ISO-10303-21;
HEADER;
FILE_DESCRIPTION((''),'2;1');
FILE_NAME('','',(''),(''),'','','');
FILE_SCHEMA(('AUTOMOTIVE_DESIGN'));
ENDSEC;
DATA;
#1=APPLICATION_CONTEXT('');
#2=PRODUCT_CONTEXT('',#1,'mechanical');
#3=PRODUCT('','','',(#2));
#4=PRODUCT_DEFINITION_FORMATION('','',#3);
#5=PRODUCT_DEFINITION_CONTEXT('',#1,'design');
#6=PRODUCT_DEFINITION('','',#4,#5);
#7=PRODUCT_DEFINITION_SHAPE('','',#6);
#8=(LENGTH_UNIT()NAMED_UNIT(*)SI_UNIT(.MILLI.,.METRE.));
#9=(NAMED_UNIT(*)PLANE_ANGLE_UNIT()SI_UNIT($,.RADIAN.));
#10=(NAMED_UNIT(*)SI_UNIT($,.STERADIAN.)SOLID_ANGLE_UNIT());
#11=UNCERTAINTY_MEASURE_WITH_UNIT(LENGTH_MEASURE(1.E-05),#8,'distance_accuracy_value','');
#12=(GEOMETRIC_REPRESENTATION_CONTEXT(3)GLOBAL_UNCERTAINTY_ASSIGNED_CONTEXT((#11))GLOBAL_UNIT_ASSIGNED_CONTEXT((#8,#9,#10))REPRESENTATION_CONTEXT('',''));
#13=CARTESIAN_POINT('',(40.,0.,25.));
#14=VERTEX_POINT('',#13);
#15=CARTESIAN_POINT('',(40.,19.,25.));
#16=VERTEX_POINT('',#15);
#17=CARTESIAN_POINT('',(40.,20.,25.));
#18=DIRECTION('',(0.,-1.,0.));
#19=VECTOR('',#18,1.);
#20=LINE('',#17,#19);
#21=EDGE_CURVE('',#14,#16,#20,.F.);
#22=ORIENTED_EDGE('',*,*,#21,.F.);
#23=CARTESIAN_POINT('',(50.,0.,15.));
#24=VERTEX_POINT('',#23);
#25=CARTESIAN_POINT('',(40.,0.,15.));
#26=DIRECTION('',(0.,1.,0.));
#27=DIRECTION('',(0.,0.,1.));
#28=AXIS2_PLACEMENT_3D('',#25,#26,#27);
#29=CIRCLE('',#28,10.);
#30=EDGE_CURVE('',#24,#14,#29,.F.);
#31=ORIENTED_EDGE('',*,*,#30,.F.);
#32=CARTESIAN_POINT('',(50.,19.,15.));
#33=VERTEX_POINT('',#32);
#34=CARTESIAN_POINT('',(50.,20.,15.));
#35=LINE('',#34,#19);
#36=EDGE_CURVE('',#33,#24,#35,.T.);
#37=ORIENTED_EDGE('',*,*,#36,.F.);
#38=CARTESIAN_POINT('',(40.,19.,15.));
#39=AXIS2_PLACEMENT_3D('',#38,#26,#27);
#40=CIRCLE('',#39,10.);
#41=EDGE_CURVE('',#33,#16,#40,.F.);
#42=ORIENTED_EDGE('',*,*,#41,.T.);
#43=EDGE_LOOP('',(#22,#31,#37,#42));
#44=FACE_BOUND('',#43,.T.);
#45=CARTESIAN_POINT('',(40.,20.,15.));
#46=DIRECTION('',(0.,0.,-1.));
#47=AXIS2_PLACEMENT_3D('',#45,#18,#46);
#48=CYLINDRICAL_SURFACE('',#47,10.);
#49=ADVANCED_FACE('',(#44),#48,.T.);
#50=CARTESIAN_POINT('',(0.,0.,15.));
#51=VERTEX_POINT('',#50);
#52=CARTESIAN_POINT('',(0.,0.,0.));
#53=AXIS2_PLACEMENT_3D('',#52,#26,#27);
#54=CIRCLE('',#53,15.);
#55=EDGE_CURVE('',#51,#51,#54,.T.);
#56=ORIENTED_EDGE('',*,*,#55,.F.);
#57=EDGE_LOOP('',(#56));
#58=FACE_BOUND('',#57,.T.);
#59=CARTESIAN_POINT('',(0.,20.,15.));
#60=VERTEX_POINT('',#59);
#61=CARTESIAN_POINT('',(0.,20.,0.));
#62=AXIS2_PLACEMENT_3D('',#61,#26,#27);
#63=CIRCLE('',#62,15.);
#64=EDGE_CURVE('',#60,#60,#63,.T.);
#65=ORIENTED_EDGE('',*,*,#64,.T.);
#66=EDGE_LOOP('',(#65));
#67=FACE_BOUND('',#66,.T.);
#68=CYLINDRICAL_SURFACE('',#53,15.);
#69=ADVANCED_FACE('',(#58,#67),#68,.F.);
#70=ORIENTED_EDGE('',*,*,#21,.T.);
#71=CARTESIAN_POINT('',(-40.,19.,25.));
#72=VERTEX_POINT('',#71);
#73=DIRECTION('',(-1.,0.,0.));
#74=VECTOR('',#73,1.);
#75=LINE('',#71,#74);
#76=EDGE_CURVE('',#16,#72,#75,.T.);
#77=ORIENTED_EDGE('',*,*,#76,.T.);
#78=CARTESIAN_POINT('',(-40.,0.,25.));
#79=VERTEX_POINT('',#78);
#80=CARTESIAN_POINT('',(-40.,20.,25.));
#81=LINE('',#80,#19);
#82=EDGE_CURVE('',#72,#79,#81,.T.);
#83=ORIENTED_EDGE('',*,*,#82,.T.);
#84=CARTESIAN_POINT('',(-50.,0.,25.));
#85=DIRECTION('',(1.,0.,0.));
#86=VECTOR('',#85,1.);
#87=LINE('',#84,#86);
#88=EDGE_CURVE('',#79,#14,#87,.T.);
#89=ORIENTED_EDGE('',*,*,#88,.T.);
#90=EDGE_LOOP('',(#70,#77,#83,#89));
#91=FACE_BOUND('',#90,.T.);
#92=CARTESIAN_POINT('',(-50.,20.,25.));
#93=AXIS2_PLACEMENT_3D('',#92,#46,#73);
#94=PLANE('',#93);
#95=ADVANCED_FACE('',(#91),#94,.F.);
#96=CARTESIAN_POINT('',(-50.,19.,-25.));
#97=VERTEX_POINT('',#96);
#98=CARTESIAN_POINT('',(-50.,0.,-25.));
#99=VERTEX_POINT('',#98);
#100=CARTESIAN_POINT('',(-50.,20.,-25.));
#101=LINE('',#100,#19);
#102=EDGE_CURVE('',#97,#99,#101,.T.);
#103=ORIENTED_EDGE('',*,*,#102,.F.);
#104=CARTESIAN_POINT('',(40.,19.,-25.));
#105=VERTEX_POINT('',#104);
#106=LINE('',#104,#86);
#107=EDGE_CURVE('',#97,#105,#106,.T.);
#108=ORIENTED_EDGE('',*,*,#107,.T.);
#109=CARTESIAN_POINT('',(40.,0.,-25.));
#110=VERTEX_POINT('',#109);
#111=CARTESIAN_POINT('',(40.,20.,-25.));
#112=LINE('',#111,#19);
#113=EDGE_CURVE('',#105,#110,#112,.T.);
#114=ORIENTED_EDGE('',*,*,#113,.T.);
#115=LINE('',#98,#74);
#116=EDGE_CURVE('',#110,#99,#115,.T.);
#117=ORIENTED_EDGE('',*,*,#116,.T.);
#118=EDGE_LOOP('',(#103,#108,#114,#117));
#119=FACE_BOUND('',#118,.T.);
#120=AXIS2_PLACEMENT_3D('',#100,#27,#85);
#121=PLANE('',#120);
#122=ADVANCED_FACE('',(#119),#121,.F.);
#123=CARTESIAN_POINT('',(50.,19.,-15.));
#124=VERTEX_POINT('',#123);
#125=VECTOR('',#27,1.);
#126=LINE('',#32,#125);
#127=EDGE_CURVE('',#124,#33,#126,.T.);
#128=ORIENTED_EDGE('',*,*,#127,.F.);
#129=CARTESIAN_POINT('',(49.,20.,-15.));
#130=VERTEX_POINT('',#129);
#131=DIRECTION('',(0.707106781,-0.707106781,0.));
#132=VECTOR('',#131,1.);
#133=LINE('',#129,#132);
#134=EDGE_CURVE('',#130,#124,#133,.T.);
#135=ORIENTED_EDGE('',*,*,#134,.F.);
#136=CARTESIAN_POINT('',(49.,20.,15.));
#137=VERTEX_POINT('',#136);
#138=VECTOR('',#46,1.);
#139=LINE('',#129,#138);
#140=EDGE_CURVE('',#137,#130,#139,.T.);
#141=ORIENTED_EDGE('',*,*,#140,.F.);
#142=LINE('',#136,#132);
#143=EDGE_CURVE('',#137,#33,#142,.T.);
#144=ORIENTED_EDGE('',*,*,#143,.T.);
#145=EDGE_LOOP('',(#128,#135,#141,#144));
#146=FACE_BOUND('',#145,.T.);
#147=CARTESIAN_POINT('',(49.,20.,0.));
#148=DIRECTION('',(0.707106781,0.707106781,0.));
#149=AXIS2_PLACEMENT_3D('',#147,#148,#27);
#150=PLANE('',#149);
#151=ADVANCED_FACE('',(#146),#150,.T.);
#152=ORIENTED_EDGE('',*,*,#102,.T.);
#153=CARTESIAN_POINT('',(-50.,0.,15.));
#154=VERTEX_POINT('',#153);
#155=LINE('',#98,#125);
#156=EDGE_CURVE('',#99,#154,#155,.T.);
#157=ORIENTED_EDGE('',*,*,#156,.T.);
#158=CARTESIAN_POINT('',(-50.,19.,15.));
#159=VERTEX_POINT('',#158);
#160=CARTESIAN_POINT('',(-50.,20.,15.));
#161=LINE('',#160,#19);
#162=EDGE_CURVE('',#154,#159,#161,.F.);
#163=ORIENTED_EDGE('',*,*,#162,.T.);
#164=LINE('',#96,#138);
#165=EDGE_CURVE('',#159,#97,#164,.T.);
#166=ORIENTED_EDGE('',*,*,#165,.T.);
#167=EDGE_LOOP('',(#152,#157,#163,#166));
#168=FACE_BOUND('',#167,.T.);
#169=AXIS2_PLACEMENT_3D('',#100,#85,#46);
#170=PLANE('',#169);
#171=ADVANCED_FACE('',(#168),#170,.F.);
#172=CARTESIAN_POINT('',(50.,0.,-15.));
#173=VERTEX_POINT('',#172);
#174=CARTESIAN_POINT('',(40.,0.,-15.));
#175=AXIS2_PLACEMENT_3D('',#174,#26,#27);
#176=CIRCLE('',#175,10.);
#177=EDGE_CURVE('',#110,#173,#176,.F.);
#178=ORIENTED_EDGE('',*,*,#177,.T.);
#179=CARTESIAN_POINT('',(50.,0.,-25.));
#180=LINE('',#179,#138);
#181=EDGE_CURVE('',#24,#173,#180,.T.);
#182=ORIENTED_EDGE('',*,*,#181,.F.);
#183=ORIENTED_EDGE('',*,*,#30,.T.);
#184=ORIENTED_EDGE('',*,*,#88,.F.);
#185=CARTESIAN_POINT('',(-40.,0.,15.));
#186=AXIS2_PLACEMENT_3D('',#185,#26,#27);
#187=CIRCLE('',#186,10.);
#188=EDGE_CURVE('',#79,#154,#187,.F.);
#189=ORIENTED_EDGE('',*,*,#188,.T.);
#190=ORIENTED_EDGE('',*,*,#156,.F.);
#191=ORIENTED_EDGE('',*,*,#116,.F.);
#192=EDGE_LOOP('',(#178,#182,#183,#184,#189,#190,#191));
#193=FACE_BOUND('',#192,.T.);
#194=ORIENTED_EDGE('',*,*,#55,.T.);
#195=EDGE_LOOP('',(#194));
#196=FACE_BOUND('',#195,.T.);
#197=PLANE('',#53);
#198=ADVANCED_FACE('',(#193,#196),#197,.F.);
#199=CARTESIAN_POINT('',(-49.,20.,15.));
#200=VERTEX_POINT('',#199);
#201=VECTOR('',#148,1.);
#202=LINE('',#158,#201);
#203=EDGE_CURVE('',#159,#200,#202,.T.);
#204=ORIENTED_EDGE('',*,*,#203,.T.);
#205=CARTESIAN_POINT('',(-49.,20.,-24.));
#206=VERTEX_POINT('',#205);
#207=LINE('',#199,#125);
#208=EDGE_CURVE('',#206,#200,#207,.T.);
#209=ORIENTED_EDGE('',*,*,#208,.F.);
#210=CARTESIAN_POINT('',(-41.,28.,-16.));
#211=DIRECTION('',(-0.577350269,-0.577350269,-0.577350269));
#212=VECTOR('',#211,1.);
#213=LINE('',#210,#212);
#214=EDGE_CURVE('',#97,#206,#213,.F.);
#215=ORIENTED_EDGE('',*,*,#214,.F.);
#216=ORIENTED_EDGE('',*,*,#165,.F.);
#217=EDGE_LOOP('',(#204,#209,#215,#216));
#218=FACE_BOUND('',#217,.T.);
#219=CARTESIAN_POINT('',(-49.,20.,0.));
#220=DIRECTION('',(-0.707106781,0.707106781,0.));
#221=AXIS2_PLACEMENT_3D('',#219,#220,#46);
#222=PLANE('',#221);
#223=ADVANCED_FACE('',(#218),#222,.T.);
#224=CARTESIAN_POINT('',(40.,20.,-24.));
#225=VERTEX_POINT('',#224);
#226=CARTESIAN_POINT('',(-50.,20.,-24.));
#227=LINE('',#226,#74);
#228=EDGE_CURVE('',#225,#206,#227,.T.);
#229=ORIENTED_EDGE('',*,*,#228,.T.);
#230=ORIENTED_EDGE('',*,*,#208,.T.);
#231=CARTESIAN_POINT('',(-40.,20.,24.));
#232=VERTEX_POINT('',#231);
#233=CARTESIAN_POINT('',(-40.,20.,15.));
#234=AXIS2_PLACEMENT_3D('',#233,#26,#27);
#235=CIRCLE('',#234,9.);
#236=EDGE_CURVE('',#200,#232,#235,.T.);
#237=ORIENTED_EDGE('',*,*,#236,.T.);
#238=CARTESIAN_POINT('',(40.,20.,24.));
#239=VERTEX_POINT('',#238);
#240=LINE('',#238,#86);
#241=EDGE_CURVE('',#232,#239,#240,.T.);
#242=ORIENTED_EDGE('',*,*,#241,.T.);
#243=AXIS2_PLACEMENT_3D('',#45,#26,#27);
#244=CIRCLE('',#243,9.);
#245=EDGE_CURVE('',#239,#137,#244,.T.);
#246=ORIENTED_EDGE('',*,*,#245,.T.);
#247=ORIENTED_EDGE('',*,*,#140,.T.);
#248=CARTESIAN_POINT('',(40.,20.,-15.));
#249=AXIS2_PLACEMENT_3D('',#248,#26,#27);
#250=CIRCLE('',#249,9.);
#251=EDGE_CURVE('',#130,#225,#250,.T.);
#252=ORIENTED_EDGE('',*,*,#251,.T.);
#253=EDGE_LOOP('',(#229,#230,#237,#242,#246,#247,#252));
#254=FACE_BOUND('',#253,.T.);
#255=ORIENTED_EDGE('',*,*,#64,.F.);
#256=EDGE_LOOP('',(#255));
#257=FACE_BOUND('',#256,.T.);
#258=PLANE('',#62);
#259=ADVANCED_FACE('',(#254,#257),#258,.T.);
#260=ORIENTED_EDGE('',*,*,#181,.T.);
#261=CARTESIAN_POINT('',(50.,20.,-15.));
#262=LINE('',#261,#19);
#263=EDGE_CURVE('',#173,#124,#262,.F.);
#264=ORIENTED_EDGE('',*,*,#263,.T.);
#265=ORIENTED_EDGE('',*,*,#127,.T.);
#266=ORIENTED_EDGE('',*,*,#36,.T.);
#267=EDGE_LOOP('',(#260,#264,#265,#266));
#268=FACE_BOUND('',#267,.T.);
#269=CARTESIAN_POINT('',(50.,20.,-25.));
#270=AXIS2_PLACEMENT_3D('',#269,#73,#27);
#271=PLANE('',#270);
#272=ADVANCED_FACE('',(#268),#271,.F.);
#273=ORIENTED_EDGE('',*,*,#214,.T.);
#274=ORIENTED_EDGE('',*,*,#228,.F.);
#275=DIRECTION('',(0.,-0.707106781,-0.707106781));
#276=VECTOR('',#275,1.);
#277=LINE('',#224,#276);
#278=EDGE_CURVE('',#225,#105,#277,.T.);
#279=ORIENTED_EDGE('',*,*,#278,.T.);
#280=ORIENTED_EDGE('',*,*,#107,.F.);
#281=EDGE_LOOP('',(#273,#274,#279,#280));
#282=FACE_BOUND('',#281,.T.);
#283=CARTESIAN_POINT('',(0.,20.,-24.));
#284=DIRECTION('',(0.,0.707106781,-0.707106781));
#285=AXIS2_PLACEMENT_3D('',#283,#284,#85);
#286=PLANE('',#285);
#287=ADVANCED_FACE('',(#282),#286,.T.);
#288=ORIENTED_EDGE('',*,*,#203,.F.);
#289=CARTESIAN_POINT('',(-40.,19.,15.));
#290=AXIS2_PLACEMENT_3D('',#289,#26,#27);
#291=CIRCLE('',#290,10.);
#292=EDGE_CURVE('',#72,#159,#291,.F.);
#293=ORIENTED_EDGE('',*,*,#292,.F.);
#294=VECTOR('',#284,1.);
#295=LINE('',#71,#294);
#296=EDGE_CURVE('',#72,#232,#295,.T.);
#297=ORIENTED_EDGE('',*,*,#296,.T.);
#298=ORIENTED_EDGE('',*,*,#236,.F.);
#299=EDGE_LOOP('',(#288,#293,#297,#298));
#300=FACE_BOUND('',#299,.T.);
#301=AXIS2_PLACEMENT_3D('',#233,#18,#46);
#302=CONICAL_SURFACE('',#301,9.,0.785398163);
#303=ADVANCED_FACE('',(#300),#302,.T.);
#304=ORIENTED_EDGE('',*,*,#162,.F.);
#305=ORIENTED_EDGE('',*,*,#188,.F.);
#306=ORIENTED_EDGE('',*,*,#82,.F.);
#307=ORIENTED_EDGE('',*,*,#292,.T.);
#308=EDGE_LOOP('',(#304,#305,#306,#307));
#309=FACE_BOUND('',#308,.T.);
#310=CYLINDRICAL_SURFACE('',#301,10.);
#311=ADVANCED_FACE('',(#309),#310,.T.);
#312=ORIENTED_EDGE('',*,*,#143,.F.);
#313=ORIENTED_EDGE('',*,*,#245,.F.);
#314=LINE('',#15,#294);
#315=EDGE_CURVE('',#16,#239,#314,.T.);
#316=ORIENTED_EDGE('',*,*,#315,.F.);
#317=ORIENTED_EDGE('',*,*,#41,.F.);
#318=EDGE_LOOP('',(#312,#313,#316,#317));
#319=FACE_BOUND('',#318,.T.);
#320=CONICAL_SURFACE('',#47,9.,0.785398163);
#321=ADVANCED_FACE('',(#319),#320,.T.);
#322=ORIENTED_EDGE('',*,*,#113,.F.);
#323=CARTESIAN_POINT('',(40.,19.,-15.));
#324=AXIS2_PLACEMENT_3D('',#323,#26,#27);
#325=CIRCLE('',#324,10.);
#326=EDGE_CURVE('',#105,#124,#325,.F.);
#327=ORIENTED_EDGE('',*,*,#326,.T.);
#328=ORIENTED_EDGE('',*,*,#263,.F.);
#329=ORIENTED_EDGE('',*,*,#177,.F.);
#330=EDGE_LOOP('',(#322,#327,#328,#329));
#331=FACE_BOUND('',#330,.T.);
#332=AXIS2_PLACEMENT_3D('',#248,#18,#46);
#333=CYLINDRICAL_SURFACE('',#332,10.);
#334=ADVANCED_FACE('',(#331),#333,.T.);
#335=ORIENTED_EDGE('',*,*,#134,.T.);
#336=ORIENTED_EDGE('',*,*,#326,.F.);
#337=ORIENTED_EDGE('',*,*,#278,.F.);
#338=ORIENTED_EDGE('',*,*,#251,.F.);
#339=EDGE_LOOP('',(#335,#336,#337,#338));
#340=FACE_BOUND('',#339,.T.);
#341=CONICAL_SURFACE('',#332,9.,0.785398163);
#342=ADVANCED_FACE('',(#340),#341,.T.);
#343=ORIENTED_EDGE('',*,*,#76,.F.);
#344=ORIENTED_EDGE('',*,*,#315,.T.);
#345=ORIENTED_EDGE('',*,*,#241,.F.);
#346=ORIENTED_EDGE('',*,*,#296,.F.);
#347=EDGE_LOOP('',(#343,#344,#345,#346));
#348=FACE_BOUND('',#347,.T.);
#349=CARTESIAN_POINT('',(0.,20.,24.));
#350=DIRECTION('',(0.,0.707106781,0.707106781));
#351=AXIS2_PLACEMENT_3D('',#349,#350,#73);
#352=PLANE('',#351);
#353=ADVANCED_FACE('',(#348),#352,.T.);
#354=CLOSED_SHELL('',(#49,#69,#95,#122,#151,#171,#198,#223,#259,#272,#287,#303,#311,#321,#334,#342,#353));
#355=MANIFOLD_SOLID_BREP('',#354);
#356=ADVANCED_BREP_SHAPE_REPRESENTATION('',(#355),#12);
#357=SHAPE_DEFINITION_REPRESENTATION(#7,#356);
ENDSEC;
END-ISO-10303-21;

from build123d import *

# Parameters (mm, degrees)
SKETCH1_W           = 100
SKETCH1_H           = 50
BOSS_EXTRUDE1_DEPTH = 20
SKETCH2_R           = 15
CUT_EXTRUDE1_DEPTH  = 20
FILLET1_R           = 10
CHAMFER1_SIZE       = 1


with BuildPart() as part:
    # Sketch1 → Boss-Extrude1 (new body)
    with BuildSketch(Plane(origin=(0, 0, 0), x_dir=(1, 0, 0), z_dir=(0, 1, 0))):
        Rectangle(SKETCH1_W, SKETCH1_H)
    extrude(amount=BOSS_EXTRUDE1_DEPTH)

    # Sketch2 → Cut-Extrude1 (cut)
    with BuildSketch(Plane(origin=(0, 20, 0), x_dir=(1, 0, 0), z_dir=(0, 1, 0))):
        with Locations(Location((0, 0, 0), (0, 0, 270))):
            Circle(SKETCH2_R)
    extrude(amount=-CUT_EXTRUDE1_DEPTH, mode=Mode.SUBTRACT)

    # Fillet1
    fillet1_edges = [part.edges().sort_by_distance(p)[0] for p in [
        (50, 10, 25),
        (-50, 10, 25),
        (50, 10, -25),
    ]]
    fillet(fillet1_edges, radius=FILLET1_R)

    # Chamfer1
    chamfer1_edges = [part.edges().sort_by_distance(p)[0] for p in [
        (-50, 20, -5),
        (-5, 20, -25),
        (50, 20, 0),
        (0, 20, 25),
        (-47.071067812, 20, 22.071067812),
        (47.071067812, 20, 22.071067812),
        (47.071067812, 20, -22.071067812),
    ]]
    chamfer(chamfer1_edges, length=CHAMFER1_SIZE)


solid = part.part
